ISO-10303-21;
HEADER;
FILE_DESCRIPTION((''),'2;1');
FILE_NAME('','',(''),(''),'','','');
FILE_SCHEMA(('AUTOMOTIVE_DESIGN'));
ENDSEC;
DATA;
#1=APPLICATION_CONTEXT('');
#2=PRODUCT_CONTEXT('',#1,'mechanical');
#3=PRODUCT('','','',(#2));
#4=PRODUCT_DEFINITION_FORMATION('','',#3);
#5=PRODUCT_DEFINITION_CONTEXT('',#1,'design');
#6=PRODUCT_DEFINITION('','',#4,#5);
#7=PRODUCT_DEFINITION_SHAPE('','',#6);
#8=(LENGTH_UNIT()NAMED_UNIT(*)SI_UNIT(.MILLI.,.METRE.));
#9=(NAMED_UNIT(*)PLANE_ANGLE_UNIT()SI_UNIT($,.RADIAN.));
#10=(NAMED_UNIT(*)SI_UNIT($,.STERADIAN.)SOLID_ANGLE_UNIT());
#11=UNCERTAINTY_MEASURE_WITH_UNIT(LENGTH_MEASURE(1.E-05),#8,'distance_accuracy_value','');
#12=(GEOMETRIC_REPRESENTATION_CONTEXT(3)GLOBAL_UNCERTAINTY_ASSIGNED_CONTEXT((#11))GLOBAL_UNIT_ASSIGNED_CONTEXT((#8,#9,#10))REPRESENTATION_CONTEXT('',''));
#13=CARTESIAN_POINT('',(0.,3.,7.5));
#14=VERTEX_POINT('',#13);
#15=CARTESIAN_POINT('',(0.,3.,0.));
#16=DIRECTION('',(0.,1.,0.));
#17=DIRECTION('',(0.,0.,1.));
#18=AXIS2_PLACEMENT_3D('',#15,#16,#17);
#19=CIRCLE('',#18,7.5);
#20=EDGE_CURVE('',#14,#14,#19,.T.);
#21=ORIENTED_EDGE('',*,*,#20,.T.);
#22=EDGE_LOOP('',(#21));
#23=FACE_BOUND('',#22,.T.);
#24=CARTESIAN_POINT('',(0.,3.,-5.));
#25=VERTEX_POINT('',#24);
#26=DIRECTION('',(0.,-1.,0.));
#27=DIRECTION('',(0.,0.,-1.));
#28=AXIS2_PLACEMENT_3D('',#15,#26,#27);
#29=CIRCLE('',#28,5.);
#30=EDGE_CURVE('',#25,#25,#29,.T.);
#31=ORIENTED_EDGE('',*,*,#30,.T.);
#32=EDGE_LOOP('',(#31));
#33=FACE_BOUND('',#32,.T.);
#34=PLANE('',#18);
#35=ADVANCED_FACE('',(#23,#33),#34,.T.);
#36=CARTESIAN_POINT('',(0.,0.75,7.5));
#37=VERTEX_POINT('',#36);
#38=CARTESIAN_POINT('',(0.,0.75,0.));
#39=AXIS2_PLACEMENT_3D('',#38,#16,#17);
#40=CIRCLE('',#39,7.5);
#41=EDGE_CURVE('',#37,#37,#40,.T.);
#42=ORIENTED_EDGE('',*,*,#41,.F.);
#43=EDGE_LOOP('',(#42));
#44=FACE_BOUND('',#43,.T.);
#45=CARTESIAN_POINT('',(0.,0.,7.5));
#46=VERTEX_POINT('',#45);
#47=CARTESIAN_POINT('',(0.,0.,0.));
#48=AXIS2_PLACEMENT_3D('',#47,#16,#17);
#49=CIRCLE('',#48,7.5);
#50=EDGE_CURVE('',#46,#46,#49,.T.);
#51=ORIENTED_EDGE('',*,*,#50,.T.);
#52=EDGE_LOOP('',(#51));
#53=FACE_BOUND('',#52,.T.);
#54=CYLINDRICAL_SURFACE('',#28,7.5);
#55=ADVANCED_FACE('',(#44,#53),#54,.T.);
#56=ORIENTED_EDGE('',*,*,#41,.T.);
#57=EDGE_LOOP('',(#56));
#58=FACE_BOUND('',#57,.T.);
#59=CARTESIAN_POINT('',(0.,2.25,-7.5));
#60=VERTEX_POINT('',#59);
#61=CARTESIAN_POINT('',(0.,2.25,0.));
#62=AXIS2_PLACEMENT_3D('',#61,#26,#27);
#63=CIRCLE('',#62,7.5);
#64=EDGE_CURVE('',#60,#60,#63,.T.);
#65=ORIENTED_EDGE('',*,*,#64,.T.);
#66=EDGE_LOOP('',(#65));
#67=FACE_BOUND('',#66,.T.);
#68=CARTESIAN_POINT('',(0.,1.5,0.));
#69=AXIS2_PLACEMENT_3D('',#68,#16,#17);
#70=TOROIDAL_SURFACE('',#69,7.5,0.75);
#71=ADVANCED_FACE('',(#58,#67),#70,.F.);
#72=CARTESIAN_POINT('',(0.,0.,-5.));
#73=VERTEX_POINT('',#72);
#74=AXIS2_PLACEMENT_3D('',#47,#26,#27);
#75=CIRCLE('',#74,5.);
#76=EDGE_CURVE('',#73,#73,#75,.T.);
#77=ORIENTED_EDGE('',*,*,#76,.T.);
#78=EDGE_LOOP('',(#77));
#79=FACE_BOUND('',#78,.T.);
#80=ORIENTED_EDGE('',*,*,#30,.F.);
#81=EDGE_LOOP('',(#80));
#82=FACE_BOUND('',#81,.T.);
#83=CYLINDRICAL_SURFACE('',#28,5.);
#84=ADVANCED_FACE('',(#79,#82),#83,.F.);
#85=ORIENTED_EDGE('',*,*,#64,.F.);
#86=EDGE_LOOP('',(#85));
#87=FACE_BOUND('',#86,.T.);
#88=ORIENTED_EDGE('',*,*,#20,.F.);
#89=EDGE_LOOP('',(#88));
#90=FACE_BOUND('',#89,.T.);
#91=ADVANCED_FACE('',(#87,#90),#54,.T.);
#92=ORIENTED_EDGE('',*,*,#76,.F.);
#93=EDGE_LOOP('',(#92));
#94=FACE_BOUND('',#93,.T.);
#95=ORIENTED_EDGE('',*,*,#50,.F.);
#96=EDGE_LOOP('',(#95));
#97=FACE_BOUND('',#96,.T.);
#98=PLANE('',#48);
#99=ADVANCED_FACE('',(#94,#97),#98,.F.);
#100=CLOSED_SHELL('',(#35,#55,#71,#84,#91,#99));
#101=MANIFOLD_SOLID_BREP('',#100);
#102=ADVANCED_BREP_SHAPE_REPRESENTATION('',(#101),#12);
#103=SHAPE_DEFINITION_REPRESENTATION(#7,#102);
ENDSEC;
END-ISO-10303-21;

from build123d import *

# Parameters (mm, degrees)
CROQUIS1_R              = 7.5
SALIENTE_EXTRUIR1_DEPTH = 3
CROQUIS2_R              = 0.75
CROQUIS4_R              = 5
CORTAR_EXTRUIR1_DEPTH   = 12.022703843


with BuildPart() as part:
    # Croquis1 → Saliente-Extruir1 (new body)
    with BuildSketch(Plane(origin=(0, 0, 0), x_dir=(1, 0, 0), z_dir=(0, 1, 0))):
        with Locations(Location((0, 0, 0), (0, 0, 270))):
            Circle(CROQUIS1_R)
    extrude(amount=SALIENTE_EXTRUIR1_DEPTH)

    # Croquis2 → Cortar-Revolución1 (revolve, cut)
    with BuildSketch(Plane(origin=(0, 0, 0), x_dir=(0, 0, -1), z_dir=(1, 0, 0)), mode=Mode.PRIVATE) as cortar_revoluci_n1_sk:
        with Locations((7.5, 1.5)):
            Circle(CROQUIS2_R)
    revolve(cortar_revoluci_n1_sk.sketch.rotate(Axis((0, 3, 0), (0, -1, 0)), 180), axis=Axis((0, 3, 0), (0, -1, 0)), mode=Mode.SUBTRACT)

    # Croquis4 → Cortar-Extruir1 (cut, through all)
    with BuildSketch(Plane.XZ):
        with Locations(Location((0, 0, 0), (0, 0, 270))):
            Circle(CROQUIS4_R)
    extrude(amount=-CORTAR_EXTRUIR1_DEPTH, mode=Mode.SUBTRACT)


solid = part.part
